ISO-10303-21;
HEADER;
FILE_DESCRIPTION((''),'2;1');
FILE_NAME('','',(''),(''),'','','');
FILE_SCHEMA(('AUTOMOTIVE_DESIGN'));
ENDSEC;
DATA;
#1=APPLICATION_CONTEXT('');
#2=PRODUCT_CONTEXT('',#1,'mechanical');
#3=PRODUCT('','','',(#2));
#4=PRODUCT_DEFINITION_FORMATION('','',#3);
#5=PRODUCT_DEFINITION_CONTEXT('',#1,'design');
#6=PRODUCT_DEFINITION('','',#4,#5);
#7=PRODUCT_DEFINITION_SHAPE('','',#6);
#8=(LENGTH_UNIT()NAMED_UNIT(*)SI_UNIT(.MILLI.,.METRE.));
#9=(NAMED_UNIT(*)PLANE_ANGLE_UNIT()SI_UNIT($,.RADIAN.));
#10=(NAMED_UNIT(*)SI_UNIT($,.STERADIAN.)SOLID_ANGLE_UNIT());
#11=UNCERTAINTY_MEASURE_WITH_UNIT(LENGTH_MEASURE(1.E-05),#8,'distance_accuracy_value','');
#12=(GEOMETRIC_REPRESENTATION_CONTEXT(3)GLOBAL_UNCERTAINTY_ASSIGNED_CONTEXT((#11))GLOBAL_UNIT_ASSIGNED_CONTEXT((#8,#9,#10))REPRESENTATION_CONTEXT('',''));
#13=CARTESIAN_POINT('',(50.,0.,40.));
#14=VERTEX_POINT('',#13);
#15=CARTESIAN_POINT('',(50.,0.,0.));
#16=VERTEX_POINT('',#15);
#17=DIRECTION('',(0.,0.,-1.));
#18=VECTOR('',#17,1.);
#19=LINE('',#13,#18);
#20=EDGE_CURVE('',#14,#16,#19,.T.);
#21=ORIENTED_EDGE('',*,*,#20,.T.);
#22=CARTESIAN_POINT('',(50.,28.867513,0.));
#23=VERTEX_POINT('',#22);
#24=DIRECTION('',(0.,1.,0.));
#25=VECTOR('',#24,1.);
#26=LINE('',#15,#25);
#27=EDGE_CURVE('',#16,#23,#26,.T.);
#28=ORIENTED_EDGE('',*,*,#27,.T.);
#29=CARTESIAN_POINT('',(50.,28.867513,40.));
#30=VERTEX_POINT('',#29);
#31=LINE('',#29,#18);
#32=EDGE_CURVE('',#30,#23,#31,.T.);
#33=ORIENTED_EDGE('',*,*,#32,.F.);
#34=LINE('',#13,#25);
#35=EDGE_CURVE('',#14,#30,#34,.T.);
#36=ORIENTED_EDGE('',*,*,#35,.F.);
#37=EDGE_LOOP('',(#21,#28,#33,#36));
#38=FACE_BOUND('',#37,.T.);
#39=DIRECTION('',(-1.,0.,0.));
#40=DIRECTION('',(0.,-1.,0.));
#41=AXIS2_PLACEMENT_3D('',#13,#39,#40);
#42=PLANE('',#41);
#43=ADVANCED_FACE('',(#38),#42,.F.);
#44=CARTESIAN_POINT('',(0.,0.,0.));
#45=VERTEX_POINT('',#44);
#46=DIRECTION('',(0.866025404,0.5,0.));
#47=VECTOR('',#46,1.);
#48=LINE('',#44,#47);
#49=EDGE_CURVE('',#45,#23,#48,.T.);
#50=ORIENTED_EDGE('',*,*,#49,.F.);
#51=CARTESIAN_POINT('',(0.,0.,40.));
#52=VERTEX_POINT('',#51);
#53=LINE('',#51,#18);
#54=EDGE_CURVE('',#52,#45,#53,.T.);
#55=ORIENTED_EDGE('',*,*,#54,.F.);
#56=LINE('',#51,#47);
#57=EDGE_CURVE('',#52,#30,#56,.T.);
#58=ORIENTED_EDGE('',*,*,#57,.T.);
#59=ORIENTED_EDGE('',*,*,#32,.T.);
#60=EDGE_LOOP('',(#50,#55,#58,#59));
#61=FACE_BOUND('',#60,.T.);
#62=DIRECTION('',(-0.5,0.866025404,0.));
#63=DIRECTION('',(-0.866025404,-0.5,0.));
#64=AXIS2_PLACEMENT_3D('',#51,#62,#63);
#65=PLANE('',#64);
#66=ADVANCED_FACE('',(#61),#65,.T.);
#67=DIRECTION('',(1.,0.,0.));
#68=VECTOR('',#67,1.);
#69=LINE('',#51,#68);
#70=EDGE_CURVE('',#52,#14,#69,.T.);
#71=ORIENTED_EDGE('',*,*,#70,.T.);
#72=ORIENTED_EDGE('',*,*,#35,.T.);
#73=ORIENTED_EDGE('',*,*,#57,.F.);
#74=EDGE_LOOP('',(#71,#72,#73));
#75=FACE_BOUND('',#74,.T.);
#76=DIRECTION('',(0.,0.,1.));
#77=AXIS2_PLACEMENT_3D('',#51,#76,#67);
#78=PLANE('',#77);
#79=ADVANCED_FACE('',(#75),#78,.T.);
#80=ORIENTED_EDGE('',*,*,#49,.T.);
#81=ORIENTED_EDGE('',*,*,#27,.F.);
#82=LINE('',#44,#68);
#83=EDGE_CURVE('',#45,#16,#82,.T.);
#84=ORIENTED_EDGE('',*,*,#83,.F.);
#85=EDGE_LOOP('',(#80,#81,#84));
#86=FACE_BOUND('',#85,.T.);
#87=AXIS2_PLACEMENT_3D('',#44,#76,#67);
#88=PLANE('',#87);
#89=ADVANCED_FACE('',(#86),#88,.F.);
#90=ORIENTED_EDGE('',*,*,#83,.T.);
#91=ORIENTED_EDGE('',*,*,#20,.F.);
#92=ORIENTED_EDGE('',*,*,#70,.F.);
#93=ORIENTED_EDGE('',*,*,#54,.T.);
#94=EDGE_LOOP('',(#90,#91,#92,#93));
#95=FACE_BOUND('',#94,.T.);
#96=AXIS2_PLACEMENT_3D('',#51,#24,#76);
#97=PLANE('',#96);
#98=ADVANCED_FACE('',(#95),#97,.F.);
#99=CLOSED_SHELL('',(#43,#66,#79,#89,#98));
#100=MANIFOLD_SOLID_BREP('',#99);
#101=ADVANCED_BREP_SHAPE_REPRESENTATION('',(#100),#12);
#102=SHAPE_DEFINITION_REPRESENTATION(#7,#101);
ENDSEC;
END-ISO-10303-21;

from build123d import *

# Parameters (mm, degrees)
BOSS_EXTRUDE1_DEPTH = 40


with BuildPart() as part:
    # Sketch1 → Boss-Extrude1 (new body)
    with BuildSketch(Plane.XY):
        Polygon((0, 0), (50, 0), (50, 28.867513459), align=None)
    extrude(amount=BOSS_EXTRUDE1_DEPTH)


solid = part.part
